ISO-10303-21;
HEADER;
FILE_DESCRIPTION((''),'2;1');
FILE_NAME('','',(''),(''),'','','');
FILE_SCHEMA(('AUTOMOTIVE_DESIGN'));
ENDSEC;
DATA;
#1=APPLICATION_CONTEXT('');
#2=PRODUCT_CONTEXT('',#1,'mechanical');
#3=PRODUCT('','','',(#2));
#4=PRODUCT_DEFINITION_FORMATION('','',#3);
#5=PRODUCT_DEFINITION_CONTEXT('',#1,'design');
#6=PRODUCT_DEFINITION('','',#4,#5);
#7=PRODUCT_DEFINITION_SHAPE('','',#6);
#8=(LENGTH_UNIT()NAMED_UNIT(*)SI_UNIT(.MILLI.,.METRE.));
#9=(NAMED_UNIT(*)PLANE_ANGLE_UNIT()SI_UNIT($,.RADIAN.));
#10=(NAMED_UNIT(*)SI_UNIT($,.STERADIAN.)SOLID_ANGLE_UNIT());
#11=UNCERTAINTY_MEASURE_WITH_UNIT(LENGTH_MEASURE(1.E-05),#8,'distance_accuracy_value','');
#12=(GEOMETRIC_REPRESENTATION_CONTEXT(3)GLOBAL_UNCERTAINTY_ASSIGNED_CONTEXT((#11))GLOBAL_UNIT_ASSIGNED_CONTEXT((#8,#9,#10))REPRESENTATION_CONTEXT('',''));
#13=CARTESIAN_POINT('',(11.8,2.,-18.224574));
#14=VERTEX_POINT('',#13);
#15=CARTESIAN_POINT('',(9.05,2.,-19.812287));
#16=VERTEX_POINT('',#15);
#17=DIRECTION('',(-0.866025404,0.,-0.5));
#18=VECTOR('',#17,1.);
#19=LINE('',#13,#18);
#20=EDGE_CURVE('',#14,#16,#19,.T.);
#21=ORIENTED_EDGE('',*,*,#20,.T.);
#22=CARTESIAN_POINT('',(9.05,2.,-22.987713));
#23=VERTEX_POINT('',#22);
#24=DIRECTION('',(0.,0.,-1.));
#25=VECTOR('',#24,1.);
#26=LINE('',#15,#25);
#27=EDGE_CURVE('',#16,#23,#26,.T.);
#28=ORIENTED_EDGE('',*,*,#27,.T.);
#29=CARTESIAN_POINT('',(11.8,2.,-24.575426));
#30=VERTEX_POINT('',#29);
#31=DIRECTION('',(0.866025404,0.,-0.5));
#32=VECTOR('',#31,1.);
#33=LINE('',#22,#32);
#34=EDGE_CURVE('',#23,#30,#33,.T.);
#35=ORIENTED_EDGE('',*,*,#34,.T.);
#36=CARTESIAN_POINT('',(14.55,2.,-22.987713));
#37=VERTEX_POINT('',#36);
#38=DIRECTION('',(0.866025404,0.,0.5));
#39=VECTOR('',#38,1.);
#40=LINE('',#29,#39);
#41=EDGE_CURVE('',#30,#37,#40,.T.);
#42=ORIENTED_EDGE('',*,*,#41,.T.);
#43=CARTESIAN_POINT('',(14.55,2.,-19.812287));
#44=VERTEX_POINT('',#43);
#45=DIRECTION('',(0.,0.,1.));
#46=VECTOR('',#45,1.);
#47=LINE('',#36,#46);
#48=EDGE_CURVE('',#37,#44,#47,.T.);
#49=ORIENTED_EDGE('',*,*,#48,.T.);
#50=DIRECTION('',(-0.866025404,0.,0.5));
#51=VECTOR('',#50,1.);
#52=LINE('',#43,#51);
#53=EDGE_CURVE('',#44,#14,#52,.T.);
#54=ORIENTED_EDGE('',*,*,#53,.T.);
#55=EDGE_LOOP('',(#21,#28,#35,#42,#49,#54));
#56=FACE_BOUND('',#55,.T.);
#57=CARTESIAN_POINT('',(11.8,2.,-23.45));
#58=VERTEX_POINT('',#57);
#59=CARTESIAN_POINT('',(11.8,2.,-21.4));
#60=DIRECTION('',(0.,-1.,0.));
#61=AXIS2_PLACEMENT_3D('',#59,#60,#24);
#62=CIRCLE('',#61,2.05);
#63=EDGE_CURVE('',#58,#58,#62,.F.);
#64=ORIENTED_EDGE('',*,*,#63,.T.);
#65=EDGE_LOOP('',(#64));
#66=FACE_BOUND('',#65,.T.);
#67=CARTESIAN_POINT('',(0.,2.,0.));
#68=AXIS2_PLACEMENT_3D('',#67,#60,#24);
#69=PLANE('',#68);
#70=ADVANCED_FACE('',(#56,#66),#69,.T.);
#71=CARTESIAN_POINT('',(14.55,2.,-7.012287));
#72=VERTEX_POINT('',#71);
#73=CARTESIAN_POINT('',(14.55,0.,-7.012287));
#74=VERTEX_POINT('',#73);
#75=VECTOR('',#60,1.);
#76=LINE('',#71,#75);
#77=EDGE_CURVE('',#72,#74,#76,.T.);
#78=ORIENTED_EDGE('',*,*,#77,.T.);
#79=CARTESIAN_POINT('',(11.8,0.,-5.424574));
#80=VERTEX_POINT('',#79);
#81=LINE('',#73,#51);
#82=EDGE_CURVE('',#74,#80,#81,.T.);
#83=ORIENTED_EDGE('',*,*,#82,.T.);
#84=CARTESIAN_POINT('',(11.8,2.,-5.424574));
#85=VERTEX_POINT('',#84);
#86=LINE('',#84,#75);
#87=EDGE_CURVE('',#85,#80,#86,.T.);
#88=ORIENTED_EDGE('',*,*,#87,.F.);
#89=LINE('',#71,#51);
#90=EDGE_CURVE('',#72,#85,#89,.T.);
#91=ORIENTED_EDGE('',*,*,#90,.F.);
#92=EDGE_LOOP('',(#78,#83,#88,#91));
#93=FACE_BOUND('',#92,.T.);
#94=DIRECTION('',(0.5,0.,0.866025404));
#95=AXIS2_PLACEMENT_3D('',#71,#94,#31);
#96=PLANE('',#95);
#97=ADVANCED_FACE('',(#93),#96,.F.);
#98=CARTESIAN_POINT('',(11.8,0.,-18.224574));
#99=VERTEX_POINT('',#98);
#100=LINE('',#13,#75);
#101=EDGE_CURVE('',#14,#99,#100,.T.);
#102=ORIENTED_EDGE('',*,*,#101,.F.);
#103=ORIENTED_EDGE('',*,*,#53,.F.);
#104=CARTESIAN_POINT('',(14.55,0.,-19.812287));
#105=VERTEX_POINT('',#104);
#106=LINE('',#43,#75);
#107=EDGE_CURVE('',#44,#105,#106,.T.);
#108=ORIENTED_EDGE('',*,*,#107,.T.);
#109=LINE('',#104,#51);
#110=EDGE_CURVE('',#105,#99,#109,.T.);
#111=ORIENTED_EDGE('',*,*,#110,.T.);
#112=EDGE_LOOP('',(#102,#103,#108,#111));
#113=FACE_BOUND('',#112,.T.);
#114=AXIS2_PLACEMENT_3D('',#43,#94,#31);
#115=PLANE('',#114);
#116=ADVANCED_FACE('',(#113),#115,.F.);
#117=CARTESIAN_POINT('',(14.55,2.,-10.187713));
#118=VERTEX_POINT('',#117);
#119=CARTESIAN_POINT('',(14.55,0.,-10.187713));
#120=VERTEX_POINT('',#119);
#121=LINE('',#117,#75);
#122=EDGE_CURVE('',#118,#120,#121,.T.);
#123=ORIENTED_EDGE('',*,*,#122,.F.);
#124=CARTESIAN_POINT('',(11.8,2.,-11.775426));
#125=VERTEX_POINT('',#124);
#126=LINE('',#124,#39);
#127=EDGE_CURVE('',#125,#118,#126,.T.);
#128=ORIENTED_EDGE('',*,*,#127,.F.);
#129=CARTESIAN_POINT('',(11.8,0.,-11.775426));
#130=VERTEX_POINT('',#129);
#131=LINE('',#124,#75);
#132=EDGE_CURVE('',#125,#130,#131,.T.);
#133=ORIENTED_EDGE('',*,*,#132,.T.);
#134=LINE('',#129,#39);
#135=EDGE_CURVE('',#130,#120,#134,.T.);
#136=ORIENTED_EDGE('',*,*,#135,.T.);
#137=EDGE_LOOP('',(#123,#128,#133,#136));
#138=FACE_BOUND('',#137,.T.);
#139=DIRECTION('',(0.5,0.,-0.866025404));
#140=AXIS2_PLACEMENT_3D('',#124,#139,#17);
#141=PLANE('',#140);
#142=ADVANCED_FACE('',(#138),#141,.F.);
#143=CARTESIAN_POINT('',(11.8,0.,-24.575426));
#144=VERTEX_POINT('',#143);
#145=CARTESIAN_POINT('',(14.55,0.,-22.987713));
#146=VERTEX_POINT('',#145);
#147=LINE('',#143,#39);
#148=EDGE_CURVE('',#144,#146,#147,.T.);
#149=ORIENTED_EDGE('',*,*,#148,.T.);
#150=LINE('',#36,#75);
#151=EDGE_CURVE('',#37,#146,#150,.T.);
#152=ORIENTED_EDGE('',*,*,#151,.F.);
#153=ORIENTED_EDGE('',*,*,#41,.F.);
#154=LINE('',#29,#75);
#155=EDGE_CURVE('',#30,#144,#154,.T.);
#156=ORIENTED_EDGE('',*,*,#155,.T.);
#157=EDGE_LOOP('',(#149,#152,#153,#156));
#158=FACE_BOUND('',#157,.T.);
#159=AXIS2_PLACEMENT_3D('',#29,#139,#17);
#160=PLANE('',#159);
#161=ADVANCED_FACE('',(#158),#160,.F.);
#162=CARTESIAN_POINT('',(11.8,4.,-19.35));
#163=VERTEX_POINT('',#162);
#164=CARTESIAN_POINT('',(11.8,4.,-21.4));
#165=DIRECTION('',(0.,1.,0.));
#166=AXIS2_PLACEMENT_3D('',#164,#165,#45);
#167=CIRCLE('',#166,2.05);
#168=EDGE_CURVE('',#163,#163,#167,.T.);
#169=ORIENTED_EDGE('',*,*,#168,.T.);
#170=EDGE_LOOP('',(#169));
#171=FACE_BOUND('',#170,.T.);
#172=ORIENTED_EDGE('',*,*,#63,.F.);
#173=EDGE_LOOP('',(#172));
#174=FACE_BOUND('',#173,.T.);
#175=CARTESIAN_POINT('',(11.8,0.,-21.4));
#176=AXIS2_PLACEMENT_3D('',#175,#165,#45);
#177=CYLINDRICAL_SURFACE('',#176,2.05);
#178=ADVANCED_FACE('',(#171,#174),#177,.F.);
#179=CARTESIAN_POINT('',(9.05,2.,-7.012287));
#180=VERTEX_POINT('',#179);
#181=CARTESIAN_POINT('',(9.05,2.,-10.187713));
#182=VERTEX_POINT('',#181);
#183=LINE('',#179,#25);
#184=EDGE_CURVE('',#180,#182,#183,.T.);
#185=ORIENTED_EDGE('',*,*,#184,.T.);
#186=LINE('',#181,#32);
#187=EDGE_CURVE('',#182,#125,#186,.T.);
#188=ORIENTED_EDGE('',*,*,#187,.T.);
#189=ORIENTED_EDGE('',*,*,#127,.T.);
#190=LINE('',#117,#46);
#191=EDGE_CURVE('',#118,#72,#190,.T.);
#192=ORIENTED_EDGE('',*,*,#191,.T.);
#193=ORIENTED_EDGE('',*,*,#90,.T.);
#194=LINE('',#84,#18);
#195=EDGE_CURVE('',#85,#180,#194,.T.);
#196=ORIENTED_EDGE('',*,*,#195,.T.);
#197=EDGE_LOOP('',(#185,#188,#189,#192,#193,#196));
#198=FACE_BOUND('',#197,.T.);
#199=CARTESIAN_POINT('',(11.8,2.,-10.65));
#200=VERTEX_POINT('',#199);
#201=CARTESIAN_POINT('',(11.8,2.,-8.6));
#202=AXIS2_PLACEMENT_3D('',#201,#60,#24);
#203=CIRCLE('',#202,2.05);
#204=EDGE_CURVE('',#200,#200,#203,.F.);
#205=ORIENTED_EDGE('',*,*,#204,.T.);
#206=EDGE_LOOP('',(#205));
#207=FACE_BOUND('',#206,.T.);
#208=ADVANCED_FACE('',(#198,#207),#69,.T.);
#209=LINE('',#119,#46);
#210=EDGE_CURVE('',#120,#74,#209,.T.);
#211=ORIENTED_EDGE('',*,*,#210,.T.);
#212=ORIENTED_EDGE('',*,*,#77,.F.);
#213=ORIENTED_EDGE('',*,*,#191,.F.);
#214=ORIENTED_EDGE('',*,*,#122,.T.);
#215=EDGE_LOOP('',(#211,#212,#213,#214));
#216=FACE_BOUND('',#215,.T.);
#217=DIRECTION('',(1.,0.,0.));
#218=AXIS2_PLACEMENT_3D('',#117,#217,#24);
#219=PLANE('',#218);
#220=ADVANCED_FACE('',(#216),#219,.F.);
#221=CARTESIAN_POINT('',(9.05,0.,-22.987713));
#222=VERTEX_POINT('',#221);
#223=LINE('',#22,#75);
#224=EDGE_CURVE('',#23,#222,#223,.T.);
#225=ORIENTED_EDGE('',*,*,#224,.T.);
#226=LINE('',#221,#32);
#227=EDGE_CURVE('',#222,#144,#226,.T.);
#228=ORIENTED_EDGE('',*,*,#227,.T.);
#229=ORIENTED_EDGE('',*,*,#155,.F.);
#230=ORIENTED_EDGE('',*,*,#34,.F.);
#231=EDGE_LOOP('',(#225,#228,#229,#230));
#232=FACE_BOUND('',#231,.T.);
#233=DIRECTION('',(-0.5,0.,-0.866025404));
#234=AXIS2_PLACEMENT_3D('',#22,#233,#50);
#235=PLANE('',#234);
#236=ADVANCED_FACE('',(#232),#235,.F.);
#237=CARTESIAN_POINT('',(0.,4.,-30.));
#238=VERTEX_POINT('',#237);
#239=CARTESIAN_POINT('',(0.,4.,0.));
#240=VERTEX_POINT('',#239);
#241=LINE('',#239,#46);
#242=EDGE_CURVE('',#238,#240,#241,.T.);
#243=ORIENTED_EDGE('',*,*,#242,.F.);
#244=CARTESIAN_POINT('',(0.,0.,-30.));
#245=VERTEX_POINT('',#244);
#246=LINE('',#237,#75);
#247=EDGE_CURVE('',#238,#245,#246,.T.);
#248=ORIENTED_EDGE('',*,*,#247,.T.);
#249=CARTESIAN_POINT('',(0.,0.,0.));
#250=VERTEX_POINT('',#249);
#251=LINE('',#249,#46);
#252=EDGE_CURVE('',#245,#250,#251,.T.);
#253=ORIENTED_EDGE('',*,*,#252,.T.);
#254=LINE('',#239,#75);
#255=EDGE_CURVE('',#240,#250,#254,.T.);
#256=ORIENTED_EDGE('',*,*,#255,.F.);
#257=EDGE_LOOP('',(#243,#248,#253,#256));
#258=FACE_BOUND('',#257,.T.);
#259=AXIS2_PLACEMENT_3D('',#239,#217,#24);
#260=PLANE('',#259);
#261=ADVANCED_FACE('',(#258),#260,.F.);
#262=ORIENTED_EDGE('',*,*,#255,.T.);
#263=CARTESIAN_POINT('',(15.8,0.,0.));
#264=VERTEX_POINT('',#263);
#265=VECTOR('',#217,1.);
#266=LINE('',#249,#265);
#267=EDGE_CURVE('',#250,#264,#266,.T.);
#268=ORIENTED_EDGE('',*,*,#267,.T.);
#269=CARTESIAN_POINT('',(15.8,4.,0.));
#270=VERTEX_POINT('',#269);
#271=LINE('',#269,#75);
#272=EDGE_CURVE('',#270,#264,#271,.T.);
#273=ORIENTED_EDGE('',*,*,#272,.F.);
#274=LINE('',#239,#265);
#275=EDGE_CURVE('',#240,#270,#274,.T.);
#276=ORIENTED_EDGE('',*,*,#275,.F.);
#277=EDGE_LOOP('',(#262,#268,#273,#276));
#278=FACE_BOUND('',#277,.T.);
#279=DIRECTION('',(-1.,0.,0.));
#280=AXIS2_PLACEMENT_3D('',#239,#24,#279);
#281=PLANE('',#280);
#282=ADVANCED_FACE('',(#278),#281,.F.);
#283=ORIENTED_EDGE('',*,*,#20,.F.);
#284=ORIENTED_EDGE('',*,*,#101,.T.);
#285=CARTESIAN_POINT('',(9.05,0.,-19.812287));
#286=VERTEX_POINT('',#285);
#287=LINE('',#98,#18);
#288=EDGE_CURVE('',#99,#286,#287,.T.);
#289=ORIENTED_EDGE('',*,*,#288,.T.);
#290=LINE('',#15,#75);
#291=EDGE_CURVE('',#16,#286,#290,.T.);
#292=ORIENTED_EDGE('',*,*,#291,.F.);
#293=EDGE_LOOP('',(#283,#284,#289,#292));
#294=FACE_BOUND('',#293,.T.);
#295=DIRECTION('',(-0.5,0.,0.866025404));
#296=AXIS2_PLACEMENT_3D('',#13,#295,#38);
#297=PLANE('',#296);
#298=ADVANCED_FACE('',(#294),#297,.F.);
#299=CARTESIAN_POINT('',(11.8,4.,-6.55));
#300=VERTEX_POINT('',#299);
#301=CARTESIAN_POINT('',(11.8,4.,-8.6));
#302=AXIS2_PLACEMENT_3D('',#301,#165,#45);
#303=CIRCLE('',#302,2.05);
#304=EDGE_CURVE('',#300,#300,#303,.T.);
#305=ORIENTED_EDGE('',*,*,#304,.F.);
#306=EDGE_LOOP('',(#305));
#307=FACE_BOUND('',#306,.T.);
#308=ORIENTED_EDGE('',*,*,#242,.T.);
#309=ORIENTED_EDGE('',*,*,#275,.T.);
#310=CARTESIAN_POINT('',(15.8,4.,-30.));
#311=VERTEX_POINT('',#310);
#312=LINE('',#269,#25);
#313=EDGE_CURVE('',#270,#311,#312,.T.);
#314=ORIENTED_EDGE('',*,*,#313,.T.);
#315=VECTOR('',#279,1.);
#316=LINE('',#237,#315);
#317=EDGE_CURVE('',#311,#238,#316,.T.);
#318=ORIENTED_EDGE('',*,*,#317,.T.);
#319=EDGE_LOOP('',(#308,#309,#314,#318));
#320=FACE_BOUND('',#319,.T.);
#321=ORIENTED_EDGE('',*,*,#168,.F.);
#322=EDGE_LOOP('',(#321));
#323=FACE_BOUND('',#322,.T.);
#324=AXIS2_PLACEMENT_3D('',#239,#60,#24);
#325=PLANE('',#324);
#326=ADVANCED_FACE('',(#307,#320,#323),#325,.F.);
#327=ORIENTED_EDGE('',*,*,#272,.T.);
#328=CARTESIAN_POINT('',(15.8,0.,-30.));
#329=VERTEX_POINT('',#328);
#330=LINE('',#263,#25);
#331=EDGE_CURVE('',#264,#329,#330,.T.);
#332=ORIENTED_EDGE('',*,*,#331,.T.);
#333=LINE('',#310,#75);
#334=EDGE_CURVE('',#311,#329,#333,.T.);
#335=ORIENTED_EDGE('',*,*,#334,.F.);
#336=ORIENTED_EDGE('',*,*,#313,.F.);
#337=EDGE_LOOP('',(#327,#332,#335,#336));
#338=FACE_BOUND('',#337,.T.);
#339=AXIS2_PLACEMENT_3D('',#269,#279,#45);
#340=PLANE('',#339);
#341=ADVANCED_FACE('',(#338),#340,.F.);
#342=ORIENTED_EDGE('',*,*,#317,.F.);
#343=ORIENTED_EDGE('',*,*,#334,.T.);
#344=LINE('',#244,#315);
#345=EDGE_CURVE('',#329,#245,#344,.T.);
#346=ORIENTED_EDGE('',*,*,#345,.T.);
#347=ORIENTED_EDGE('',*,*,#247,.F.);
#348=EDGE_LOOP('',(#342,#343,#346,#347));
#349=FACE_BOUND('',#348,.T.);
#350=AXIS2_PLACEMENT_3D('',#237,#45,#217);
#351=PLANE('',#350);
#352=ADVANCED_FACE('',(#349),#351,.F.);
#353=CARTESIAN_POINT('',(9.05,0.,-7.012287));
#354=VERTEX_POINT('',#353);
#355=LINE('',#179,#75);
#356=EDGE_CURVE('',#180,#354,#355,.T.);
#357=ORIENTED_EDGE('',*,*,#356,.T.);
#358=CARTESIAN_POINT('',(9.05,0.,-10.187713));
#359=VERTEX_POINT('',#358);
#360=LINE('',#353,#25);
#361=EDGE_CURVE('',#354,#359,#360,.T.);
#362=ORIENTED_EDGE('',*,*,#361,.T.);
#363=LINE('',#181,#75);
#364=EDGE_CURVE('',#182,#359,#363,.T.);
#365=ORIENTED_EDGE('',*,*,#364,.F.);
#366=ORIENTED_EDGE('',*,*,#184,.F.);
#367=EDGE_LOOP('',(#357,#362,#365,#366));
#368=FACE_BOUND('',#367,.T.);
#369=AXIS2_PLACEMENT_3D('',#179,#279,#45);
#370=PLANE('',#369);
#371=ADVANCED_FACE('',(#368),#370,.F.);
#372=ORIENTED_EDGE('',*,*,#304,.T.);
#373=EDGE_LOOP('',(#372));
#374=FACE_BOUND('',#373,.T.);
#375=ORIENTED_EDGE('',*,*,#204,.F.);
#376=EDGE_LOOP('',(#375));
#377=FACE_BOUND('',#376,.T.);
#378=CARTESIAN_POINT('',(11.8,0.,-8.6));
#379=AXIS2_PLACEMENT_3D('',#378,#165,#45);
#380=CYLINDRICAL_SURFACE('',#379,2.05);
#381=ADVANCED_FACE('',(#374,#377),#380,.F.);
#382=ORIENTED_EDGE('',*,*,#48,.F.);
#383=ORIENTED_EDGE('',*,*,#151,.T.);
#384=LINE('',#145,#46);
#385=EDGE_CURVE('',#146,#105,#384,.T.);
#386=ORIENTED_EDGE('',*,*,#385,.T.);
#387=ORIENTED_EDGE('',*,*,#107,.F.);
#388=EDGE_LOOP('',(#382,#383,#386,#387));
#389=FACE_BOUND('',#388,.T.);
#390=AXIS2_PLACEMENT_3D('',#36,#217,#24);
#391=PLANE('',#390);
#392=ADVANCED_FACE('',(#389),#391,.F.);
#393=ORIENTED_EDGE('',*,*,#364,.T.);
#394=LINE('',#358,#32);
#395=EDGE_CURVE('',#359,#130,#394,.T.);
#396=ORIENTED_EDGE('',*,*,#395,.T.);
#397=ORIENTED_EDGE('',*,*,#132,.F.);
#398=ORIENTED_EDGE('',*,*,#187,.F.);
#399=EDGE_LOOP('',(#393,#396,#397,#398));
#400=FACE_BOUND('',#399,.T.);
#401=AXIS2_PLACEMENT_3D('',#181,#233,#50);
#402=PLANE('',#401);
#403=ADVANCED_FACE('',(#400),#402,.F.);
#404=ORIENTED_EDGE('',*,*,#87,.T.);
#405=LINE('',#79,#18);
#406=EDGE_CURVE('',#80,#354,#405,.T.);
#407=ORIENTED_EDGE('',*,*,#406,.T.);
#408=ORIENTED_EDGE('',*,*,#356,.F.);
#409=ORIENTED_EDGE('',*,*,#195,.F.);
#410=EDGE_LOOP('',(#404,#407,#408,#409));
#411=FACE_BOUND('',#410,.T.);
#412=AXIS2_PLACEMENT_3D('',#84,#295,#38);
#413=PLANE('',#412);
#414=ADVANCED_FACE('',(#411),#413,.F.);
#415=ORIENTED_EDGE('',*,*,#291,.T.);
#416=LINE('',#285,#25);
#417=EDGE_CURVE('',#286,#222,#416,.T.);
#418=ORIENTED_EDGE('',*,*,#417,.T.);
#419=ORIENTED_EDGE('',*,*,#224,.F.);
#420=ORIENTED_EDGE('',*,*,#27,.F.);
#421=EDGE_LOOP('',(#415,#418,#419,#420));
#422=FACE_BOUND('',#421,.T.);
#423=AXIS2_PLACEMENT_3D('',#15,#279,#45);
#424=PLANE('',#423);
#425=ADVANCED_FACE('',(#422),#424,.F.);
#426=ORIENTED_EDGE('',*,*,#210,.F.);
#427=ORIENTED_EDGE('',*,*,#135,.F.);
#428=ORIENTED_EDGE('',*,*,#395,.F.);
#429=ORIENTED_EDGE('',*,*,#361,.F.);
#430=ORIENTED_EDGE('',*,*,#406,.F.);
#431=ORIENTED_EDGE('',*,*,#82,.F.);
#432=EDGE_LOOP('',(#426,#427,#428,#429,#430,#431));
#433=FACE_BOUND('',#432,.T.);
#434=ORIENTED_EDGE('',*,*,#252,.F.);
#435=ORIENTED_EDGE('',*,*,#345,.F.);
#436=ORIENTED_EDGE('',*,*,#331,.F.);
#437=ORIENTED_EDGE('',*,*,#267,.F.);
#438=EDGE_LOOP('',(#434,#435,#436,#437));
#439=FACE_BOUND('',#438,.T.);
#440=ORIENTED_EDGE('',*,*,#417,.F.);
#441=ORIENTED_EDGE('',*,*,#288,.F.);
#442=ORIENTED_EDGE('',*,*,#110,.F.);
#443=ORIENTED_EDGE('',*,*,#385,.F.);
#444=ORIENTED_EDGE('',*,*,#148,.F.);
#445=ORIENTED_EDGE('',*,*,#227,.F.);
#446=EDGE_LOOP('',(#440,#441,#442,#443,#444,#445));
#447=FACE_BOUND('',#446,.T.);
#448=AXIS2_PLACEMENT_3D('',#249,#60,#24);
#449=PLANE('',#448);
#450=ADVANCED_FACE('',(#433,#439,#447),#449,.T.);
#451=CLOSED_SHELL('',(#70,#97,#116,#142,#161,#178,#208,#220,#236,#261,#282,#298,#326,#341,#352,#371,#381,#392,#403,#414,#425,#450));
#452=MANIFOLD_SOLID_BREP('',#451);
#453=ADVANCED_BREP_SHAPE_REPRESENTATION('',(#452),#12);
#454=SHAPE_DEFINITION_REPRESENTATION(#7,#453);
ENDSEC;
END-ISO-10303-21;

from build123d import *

# Parameters (mm, degrees)
SKETCH_1_W          = 15.8
SKETCH_1_H          = 30
EXTRUDE_1_DEPTH     = 4
SKETCH_2_R          = 2.05
CUT_EXTRUDE_1_DEPTH = 35.141470384
CUT_EXTRUDE_2_DEPTH = 2


with BuildPart() as part:
    # 草图1 → 凸台-拉伸1 (new body)
    with BuildSketch(Plane(origin=(0, 0, 0), x_dir=(1, 0, 0), z_dir=(0, 1, 0))):
        with Locations((7.9, 15)):
            Rectangle(SKETCH_1_W, SKETCH_1_H)
    extrude(amount=EXTRUDE_1_DEPTH)

    # 草图2 → 切除-拉伸1 (cut, through all)
    with BuildSketch(Plane(origin=(0, 4, 0), x_dir=(1, 0, 0), z_dir=(0, 1, 0))):
        with Locations((11.8, 21.4)):
            Circle(SKETCH_2_R)
        with Locations((11.8, 8.6)):
            Circle(SKETCH_2_R)
    extrude(amount=-CUT_EXTRUDE_1_DEPTH, mode=Mode.SUBTRACT)

    # 草图5 → 切除-拉伸2 (cut)
    with BuildSketch(Plane.XZ):
        Polygon((14.55, -7.01228676), (11.8, -5.424573519), (9.05, -7.01228676), (9.05, -10.18771324), (11.8, -11.775426481), (14.55, -10.18771324), align=None)
        Polygon((9.05, -22.98771324), (11.8, -24.575426481), (14.55, -22.98771324), (14.55, -19.81228676), (11.8, -18.224573519), (9.05, -19.81228676), align=None)
    extrude(amount=-CUT_EXTRUDE_2_DEPTH, mode=Mode.SUBTRACT)


solid = part.part
